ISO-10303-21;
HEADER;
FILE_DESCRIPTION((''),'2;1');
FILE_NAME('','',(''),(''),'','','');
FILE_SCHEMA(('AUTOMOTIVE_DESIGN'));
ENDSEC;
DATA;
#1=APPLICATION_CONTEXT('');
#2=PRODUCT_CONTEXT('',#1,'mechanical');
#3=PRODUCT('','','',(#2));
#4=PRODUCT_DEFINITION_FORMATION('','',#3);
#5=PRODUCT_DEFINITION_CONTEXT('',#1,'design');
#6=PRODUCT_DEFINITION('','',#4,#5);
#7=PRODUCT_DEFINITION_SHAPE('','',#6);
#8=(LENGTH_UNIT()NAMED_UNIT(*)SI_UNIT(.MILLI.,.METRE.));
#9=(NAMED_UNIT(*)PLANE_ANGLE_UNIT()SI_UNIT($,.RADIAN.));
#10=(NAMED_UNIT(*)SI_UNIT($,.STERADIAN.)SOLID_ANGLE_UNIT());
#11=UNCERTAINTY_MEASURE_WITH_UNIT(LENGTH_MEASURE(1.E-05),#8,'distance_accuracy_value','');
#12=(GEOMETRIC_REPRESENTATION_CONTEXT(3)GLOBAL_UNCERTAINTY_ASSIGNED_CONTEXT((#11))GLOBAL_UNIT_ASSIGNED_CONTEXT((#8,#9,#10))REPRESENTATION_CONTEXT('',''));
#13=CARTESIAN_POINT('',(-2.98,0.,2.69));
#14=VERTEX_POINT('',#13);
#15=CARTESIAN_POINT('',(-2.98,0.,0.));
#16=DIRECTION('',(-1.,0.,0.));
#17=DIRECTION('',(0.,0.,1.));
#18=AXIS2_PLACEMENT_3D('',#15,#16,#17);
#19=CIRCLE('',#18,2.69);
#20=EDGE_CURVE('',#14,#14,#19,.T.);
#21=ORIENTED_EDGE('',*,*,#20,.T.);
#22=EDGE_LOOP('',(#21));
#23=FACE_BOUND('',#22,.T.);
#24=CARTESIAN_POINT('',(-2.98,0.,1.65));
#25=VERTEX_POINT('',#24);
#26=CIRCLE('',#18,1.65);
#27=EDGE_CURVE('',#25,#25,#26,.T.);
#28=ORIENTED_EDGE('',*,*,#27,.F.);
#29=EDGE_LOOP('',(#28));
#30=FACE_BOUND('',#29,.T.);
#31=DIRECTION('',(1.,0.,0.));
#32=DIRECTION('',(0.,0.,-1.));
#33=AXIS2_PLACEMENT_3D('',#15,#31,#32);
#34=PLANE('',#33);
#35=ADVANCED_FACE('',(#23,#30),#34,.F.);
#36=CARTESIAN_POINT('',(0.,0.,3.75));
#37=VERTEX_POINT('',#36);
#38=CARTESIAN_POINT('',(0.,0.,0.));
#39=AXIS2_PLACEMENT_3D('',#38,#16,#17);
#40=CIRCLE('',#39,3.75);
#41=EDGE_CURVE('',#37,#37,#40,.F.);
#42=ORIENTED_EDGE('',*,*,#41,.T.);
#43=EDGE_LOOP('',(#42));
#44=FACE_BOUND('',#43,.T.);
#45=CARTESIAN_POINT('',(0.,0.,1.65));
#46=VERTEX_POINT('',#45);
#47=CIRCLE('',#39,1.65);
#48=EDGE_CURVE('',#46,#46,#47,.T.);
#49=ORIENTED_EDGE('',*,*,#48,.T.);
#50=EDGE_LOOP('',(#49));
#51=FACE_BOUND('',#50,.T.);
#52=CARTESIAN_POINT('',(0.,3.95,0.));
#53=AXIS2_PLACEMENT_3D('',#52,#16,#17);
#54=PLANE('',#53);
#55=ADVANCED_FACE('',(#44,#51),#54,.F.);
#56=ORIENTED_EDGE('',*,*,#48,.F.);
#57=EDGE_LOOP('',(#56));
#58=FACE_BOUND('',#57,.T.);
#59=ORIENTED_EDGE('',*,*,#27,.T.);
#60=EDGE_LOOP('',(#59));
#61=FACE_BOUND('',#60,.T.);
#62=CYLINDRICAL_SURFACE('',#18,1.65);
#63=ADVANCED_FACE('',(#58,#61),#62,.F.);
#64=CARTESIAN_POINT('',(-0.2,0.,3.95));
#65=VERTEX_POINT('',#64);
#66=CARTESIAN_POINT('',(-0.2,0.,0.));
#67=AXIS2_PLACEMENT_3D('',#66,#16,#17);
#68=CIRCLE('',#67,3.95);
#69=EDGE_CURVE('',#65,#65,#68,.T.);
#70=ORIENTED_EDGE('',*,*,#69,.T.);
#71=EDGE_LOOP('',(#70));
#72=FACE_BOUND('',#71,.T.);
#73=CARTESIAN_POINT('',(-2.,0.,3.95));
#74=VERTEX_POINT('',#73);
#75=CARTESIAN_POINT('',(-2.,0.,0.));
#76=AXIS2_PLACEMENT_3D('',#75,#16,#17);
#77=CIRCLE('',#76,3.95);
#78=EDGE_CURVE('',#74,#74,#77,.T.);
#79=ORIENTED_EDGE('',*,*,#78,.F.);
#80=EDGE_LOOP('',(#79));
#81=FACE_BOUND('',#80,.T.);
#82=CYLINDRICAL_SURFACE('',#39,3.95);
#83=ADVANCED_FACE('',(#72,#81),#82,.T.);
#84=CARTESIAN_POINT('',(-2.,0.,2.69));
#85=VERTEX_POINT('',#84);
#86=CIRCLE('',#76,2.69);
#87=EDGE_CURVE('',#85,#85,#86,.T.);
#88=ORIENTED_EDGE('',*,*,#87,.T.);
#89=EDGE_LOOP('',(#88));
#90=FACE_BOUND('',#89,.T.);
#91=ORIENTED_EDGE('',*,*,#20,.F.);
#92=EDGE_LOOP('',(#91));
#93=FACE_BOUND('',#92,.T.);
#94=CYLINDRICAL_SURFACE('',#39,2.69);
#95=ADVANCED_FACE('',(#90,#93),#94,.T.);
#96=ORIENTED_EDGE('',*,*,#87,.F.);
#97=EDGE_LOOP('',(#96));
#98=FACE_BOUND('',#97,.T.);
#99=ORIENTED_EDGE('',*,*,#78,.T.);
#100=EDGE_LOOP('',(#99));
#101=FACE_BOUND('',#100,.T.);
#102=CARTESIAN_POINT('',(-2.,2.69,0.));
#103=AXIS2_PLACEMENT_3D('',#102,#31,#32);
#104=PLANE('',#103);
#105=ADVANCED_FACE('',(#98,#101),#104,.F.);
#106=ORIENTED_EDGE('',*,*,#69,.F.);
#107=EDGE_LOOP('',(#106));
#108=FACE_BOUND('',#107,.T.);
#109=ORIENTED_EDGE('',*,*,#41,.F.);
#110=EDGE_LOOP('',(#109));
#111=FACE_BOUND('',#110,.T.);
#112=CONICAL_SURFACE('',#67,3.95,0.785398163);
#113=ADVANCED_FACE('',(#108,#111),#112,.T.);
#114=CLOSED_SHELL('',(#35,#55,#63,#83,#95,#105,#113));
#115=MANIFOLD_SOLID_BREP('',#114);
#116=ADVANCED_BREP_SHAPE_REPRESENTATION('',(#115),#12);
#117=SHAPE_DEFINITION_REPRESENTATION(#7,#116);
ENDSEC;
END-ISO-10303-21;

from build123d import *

# Parameters (mm, degrees)
TROU_TARAUD_M4X0_71_D = 3.3
CHANFREIN1_SIZE       = 0.2


with BuildPart() as part:
    # Esquisse1 → Révolution1 (revolve)
    with BuildSketch(Plane.XY, mode=Mode.PRIVATE) as r_volution1_sk:
        Polygon((0, 0), (-2.98, 0), (-2.98, 2.69), (-2, 2.69), (-2, 3.95), (0, 3.95), align=None)
    revolve(r_volution1_sk.sketch.rotate(Axis((0, 0, 0), (1, 0, 0)), 90), axis=Axis((0, 0, 0), (1, 0, 0)))  # turned: the seam where the file's is

    # Trou taraudé M4x0.71 (through all)
    with Locations(Plane(origin=(-2.98, 0, 0), x_dir=(0, 0, -1), z_dir=(-1, 0, 0))):
        with Locations((0, 0)):
            Hole(TROU_TARAUD_M4X0_71_D / 2)

    # Chanfrein1
    chanfrein1_edges = [part.edges().sort_by_distance(p)[0] for p in [
        (0, 0, -3.95),
    ]]
    chamfer(chanfrein1_edges, length=CHANFREIN1_SIZE)


solid = part.part
